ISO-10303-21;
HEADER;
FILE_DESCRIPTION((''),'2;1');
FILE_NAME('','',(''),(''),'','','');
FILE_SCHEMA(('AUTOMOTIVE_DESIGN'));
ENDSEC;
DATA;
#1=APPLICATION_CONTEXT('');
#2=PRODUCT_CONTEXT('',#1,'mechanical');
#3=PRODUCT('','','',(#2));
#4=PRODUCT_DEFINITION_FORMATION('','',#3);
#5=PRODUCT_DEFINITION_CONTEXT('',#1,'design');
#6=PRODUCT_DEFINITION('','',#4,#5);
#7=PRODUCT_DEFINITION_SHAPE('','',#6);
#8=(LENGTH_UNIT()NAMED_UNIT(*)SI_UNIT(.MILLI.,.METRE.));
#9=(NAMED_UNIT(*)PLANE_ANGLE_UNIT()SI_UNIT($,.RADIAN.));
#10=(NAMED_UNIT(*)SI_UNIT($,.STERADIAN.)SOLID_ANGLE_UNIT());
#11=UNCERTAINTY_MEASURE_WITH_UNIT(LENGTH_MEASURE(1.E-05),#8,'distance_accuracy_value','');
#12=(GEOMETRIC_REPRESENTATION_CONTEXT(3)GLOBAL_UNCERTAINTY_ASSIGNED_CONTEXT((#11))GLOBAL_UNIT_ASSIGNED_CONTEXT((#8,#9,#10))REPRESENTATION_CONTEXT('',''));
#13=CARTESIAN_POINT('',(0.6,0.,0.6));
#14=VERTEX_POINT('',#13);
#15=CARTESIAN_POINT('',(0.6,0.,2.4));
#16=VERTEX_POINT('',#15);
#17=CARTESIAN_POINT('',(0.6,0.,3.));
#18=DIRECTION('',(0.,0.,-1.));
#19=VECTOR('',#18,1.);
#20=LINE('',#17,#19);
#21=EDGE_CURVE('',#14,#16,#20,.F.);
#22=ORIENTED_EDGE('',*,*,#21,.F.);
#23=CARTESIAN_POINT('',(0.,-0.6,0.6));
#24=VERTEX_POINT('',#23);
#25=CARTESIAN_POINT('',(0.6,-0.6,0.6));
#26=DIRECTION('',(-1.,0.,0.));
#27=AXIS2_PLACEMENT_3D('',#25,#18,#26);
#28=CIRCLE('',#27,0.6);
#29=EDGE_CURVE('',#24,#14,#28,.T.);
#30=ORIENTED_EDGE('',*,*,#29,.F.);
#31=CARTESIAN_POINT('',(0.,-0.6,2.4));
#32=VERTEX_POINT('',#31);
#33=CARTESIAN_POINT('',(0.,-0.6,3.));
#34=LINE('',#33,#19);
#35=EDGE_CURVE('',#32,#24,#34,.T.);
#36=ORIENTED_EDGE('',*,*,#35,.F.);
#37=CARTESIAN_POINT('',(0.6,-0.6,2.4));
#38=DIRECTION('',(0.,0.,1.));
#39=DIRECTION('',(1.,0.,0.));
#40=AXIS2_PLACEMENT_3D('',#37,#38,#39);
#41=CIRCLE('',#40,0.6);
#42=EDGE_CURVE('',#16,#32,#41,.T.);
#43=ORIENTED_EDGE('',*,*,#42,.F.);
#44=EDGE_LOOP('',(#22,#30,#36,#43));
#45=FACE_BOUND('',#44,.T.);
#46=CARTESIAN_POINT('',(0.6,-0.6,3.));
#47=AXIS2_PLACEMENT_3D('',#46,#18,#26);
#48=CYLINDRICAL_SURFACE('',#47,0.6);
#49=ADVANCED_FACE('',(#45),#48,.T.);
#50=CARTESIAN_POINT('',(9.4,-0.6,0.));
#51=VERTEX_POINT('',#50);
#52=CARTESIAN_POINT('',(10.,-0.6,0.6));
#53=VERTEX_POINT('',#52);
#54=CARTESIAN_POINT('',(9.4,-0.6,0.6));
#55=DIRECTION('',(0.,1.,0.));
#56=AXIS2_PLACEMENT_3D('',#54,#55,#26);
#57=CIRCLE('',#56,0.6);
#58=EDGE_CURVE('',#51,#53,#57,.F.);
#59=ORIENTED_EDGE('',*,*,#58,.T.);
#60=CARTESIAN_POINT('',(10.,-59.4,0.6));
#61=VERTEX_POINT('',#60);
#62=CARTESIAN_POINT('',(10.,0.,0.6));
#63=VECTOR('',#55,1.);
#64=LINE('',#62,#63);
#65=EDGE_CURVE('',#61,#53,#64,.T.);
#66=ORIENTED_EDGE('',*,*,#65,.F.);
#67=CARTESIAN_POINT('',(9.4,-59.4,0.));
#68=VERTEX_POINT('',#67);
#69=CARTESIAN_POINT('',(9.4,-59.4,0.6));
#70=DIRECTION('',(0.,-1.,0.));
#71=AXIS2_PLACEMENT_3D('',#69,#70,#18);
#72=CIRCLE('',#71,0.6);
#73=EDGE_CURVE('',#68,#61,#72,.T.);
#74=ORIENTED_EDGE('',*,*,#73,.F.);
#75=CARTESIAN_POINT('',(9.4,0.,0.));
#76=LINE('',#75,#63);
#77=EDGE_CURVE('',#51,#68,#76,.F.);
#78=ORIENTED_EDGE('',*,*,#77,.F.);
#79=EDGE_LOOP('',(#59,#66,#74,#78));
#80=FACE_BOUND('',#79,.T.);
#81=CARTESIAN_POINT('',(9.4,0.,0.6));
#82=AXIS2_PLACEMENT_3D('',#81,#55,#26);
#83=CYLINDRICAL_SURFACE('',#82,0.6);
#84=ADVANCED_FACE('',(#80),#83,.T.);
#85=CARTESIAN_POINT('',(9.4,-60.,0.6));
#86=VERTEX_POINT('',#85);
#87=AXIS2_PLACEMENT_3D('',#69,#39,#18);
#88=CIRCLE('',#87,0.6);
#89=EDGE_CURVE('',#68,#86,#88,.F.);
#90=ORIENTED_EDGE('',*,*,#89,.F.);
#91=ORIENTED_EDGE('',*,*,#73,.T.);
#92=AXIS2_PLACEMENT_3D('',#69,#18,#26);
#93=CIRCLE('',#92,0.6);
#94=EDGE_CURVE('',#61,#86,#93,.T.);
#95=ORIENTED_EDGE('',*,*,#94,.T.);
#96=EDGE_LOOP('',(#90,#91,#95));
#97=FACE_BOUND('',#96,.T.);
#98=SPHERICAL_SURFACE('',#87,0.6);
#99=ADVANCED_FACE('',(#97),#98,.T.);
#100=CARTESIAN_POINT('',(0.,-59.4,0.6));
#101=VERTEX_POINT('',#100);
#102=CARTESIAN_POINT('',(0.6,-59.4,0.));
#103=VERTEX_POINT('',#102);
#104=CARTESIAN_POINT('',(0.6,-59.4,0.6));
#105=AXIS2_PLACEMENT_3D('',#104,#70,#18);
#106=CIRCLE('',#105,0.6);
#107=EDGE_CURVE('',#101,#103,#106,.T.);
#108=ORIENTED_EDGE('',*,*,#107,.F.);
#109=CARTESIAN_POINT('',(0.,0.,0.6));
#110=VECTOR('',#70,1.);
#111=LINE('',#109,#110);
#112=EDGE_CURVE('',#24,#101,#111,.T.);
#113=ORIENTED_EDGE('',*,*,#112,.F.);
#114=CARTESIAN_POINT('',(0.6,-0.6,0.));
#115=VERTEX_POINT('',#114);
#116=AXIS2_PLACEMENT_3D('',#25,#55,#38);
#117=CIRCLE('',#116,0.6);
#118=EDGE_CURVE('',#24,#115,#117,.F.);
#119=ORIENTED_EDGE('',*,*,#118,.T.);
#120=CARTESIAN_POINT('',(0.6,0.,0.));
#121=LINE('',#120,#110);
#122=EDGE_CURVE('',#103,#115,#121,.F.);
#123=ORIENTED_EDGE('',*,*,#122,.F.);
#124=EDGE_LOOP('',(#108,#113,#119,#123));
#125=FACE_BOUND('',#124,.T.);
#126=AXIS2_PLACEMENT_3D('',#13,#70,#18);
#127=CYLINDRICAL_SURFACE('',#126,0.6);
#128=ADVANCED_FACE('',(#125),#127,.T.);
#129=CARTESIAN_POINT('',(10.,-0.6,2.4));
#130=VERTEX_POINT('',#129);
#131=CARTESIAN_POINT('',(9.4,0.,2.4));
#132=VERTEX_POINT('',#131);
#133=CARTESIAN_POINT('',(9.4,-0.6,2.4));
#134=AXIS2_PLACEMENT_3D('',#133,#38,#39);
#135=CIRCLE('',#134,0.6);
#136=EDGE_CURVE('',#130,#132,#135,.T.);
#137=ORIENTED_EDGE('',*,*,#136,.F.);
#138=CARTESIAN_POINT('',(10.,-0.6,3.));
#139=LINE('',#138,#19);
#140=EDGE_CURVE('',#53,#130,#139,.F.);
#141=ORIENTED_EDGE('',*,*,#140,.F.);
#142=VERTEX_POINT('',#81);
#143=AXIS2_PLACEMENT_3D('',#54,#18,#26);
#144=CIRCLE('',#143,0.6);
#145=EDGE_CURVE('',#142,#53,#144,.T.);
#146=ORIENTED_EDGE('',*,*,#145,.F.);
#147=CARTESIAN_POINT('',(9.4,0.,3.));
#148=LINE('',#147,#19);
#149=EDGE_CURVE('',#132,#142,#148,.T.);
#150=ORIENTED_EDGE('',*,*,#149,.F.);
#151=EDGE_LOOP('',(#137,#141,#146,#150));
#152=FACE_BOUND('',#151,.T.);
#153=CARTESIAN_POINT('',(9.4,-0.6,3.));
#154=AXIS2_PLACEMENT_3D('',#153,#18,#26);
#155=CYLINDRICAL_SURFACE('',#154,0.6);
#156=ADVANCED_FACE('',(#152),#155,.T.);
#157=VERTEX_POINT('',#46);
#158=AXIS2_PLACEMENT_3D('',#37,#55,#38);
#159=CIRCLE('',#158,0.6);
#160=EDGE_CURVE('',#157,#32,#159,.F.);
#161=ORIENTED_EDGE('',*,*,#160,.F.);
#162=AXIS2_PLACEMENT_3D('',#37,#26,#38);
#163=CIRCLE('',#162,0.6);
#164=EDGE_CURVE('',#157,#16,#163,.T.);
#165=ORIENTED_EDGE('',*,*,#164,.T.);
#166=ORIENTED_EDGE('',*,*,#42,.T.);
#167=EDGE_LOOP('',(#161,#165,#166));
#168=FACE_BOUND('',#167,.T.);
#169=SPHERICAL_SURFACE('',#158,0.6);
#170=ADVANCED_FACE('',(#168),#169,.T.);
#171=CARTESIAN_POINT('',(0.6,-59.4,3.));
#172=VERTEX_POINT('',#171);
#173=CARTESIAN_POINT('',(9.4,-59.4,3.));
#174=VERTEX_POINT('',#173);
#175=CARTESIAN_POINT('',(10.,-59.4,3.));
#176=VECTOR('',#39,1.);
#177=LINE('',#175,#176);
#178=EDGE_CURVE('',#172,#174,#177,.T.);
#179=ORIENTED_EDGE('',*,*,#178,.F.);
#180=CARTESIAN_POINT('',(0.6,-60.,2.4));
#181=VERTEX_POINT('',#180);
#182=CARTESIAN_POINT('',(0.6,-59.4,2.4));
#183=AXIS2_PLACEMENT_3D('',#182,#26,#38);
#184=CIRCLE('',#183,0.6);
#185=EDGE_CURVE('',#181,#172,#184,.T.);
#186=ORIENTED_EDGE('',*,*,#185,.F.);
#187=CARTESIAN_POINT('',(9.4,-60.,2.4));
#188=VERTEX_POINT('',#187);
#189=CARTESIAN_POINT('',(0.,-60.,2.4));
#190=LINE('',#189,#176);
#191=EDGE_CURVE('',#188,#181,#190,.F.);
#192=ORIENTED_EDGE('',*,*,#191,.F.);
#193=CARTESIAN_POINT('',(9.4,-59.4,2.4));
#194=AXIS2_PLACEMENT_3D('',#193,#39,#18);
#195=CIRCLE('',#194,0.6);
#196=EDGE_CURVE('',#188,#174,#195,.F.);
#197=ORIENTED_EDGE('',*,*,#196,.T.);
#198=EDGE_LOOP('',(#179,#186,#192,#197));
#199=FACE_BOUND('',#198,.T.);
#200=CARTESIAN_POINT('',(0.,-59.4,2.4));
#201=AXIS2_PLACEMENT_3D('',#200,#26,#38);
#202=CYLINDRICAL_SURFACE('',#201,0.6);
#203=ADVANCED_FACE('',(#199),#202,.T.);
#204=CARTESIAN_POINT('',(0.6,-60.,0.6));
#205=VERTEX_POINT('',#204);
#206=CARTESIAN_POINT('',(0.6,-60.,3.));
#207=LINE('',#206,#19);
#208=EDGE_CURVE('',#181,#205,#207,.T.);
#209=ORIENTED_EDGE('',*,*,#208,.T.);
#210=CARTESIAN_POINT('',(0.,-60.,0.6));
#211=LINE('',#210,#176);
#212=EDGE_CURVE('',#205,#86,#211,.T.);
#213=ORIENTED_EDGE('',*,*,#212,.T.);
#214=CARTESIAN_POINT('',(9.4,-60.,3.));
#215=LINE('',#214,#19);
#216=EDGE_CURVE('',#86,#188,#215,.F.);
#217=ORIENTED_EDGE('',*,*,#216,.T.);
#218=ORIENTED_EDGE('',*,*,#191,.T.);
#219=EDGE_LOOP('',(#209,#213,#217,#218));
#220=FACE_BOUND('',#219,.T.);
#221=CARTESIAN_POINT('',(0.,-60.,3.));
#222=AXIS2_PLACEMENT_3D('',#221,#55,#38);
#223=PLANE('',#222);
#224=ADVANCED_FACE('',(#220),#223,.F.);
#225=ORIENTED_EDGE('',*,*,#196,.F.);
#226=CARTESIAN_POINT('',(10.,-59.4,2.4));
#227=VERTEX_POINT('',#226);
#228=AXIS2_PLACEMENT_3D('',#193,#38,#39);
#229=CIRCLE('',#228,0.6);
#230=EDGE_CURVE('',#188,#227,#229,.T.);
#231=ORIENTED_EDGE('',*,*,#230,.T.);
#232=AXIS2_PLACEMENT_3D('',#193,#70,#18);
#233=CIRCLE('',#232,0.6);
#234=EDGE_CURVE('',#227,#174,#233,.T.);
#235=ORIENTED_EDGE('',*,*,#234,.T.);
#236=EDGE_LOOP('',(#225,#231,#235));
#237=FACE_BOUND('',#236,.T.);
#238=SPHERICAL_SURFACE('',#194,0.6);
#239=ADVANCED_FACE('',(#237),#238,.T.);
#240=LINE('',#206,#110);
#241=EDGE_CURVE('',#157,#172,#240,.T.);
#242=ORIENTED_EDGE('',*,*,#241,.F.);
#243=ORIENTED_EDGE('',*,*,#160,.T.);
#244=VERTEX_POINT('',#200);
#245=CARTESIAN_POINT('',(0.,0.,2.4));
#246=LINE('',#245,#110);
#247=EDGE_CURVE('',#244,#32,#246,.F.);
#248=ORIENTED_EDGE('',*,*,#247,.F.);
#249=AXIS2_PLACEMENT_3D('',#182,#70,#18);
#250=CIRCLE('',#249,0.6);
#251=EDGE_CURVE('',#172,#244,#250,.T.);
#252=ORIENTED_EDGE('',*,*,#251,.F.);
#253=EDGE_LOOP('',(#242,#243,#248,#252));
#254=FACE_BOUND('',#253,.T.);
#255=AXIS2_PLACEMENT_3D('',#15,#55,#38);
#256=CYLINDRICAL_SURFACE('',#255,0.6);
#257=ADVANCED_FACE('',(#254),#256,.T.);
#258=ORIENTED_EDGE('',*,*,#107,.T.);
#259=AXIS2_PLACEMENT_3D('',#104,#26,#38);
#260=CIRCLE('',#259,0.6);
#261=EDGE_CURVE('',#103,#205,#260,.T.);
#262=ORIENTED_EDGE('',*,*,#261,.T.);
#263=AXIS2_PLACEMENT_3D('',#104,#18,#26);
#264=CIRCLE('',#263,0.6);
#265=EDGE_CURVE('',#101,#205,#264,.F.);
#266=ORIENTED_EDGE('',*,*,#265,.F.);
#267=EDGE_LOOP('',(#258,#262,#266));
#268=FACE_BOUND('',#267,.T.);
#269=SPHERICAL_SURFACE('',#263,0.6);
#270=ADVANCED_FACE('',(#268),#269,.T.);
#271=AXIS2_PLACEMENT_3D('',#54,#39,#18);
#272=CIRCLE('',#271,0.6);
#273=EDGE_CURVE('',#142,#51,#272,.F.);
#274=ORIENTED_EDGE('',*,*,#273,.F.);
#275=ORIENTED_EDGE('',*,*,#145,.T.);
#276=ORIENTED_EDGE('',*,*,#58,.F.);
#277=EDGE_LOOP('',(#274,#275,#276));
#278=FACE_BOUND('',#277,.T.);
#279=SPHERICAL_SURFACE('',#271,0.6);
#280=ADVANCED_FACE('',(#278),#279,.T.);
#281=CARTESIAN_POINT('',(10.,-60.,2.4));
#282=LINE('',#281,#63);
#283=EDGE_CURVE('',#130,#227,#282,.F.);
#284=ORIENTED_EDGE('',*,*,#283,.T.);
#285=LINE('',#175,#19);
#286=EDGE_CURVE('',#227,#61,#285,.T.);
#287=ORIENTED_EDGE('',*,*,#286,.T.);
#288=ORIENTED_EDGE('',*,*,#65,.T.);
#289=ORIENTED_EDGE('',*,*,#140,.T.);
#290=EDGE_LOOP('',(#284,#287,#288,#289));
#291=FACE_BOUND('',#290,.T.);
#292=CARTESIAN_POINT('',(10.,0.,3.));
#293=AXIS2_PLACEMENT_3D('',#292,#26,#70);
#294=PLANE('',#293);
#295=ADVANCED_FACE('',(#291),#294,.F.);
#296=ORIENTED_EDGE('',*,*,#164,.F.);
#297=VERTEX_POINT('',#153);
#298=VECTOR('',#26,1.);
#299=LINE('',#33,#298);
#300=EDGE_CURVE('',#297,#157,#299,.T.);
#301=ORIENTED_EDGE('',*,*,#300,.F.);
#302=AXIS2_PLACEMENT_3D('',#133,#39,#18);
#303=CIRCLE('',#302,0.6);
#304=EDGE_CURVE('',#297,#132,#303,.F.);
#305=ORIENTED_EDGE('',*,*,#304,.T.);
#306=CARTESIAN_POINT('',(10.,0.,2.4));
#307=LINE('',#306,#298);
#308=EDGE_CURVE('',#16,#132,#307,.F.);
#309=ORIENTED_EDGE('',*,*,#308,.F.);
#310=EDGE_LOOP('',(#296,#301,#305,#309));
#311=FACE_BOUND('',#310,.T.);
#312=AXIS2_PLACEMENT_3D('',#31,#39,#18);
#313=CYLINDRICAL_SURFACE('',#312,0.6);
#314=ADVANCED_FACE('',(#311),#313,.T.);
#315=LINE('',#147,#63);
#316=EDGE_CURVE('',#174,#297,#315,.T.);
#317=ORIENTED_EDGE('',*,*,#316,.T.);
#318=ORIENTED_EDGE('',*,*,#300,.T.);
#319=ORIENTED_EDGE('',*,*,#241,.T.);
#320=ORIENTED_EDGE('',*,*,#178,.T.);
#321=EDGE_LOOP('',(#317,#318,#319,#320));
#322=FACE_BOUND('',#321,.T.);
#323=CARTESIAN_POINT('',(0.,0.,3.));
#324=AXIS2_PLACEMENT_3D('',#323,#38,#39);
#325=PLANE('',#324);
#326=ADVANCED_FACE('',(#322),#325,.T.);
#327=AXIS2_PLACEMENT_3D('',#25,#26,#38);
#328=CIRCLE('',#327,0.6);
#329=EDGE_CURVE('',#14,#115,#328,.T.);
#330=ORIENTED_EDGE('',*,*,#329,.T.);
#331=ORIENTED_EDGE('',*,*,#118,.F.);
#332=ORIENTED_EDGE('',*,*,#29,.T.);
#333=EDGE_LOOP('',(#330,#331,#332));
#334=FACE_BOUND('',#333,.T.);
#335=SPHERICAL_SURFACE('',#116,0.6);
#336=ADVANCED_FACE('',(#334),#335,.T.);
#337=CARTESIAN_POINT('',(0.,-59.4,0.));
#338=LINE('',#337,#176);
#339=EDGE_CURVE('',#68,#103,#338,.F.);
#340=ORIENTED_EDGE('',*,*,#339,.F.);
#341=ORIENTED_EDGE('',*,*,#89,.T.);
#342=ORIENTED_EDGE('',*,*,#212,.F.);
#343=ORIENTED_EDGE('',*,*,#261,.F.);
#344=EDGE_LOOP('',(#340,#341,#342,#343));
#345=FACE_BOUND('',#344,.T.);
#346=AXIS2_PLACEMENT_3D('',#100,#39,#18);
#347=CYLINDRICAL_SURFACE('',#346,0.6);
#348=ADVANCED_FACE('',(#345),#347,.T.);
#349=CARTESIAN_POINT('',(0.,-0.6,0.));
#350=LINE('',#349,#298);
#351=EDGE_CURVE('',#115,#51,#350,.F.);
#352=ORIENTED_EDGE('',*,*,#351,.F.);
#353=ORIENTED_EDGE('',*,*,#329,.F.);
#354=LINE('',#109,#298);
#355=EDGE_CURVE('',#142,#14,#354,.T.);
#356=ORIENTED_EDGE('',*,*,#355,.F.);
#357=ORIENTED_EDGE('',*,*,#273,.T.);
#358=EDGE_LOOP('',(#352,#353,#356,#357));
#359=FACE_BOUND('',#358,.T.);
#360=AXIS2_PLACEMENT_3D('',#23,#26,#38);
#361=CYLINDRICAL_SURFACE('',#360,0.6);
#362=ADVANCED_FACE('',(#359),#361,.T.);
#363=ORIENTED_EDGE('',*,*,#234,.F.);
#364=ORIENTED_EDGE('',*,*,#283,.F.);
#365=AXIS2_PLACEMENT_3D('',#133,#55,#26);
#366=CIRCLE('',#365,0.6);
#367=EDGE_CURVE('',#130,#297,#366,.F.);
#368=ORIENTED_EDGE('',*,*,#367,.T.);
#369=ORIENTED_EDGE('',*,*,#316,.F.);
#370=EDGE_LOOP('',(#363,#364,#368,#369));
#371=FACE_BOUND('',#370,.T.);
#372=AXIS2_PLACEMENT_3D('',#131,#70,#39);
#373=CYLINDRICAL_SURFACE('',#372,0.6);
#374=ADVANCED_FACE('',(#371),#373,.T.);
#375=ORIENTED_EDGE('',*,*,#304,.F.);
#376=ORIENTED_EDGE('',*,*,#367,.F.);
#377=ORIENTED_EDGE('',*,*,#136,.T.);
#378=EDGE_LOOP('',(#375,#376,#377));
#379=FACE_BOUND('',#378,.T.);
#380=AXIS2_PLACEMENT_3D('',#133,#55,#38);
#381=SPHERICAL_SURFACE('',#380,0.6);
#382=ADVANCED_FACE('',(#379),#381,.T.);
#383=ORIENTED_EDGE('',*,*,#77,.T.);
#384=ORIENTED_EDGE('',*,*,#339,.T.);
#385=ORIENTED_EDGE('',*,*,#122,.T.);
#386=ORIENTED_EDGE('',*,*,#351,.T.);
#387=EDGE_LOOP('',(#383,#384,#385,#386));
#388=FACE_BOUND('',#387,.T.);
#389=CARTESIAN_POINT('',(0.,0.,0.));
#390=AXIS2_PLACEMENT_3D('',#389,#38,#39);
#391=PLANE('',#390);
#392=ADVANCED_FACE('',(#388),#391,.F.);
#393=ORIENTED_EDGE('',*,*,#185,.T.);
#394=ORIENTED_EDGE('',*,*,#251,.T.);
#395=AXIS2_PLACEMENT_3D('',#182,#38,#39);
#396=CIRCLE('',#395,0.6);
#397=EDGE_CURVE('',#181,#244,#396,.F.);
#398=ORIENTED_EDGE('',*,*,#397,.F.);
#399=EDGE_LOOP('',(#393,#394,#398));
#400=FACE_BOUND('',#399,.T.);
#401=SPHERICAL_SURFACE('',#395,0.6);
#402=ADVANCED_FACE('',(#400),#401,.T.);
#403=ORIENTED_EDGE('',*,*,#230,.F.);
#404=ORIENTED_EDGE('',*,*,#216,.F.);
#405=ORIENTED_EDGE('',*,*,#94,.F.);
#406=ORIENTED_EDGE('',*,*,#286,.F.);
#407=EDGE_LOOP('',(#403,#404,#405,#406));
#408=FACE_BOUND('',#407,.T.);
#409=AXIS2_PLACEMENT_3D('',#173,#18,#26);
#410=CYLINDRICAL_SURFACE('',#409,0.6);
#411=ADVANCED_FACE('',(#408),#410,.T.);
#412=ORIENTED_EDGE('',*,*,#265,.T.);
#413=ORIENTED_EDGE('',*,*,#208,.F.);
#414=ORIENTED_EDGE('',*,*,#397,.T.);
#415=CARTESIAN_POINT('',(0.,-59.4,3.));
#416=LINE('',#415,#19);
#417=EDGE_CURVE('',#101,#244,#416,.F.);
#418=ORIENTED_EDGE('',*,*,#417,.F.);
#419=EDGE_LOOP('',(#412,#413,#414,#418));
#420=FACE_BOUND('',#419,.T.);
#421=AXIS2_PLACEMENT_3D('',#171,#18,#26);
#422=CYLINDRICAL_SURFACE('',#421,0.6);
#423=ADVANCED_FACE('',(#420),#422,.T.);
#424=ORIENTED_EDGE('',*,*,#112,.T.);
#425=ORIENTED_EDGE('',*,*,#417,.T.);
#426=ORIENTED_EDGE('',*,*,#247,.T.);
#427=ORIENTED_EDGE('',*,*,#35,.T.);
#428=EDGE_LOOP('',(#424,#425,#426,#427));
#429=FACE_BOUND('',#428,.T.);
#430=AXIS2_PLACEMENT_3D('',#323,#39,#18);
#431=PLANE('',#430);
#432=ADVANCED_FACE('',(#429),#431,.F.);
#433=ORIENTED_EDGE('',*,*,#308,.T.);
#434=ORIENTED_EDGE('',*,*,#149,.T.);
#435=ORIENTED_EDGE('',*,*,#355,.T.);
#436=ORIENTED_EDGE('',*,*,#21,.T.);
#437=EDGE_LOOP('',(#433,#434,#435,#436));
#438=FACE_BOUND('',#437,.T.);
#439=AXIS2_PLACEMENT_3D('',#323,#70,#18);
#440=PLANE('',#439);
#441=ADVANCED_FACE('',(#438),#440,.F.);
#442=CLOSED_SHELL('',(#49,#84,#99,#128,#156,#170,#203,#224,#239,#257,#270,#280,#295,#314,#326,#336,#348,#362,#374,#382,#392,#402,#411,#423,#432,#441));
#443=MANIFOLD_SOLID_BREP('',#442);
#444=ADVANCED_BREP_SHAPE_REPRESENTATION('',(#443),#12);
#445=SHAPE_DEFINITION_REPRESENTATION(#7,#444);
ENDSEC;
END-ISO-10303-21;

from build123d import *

# Parameters (mm, degrees)
SKIZZE1_W                       = 10
SKIZZE1_H                       = 60
AUFSATZ_LINEAR_AUSTRAGEN1_DEPTH = 3
VERRUNDUNG1_R                   = 0.6


with BuildPart() as part:
    # Skizze1 → Aufsatz-Linear austragen1 (new body)
    with BuildSketch(Plane.XY):
        with Locations((5, -30)):
            Rectangle(SKIZZE1_W, SKIZZE1_H)
    extrude(amount=AUFSATZ_LINEAR_AUSTRAGEN1_DEPTH)

    # Verrundung1
    verrundung1_edges = [part.edges().sort_by_distance(p)[0] for p in [
        (10, -30, 3),
        (5, 0, 3),
        (0, -30, 3),
        (5, 0, 0),
        (10, -30, 0),
        (5, -60, 0),
        (0, -30, 0),
        (0, 0, 1.5),
        (10, 0, 1.5),
        (10, -60, 1.5),
        (0, -60, 1.5),
        (5, -60, 3),
    ]]
    fillet(verrundung1_edges, radius=VERRUNDUNG1_R)


solid = part.part
